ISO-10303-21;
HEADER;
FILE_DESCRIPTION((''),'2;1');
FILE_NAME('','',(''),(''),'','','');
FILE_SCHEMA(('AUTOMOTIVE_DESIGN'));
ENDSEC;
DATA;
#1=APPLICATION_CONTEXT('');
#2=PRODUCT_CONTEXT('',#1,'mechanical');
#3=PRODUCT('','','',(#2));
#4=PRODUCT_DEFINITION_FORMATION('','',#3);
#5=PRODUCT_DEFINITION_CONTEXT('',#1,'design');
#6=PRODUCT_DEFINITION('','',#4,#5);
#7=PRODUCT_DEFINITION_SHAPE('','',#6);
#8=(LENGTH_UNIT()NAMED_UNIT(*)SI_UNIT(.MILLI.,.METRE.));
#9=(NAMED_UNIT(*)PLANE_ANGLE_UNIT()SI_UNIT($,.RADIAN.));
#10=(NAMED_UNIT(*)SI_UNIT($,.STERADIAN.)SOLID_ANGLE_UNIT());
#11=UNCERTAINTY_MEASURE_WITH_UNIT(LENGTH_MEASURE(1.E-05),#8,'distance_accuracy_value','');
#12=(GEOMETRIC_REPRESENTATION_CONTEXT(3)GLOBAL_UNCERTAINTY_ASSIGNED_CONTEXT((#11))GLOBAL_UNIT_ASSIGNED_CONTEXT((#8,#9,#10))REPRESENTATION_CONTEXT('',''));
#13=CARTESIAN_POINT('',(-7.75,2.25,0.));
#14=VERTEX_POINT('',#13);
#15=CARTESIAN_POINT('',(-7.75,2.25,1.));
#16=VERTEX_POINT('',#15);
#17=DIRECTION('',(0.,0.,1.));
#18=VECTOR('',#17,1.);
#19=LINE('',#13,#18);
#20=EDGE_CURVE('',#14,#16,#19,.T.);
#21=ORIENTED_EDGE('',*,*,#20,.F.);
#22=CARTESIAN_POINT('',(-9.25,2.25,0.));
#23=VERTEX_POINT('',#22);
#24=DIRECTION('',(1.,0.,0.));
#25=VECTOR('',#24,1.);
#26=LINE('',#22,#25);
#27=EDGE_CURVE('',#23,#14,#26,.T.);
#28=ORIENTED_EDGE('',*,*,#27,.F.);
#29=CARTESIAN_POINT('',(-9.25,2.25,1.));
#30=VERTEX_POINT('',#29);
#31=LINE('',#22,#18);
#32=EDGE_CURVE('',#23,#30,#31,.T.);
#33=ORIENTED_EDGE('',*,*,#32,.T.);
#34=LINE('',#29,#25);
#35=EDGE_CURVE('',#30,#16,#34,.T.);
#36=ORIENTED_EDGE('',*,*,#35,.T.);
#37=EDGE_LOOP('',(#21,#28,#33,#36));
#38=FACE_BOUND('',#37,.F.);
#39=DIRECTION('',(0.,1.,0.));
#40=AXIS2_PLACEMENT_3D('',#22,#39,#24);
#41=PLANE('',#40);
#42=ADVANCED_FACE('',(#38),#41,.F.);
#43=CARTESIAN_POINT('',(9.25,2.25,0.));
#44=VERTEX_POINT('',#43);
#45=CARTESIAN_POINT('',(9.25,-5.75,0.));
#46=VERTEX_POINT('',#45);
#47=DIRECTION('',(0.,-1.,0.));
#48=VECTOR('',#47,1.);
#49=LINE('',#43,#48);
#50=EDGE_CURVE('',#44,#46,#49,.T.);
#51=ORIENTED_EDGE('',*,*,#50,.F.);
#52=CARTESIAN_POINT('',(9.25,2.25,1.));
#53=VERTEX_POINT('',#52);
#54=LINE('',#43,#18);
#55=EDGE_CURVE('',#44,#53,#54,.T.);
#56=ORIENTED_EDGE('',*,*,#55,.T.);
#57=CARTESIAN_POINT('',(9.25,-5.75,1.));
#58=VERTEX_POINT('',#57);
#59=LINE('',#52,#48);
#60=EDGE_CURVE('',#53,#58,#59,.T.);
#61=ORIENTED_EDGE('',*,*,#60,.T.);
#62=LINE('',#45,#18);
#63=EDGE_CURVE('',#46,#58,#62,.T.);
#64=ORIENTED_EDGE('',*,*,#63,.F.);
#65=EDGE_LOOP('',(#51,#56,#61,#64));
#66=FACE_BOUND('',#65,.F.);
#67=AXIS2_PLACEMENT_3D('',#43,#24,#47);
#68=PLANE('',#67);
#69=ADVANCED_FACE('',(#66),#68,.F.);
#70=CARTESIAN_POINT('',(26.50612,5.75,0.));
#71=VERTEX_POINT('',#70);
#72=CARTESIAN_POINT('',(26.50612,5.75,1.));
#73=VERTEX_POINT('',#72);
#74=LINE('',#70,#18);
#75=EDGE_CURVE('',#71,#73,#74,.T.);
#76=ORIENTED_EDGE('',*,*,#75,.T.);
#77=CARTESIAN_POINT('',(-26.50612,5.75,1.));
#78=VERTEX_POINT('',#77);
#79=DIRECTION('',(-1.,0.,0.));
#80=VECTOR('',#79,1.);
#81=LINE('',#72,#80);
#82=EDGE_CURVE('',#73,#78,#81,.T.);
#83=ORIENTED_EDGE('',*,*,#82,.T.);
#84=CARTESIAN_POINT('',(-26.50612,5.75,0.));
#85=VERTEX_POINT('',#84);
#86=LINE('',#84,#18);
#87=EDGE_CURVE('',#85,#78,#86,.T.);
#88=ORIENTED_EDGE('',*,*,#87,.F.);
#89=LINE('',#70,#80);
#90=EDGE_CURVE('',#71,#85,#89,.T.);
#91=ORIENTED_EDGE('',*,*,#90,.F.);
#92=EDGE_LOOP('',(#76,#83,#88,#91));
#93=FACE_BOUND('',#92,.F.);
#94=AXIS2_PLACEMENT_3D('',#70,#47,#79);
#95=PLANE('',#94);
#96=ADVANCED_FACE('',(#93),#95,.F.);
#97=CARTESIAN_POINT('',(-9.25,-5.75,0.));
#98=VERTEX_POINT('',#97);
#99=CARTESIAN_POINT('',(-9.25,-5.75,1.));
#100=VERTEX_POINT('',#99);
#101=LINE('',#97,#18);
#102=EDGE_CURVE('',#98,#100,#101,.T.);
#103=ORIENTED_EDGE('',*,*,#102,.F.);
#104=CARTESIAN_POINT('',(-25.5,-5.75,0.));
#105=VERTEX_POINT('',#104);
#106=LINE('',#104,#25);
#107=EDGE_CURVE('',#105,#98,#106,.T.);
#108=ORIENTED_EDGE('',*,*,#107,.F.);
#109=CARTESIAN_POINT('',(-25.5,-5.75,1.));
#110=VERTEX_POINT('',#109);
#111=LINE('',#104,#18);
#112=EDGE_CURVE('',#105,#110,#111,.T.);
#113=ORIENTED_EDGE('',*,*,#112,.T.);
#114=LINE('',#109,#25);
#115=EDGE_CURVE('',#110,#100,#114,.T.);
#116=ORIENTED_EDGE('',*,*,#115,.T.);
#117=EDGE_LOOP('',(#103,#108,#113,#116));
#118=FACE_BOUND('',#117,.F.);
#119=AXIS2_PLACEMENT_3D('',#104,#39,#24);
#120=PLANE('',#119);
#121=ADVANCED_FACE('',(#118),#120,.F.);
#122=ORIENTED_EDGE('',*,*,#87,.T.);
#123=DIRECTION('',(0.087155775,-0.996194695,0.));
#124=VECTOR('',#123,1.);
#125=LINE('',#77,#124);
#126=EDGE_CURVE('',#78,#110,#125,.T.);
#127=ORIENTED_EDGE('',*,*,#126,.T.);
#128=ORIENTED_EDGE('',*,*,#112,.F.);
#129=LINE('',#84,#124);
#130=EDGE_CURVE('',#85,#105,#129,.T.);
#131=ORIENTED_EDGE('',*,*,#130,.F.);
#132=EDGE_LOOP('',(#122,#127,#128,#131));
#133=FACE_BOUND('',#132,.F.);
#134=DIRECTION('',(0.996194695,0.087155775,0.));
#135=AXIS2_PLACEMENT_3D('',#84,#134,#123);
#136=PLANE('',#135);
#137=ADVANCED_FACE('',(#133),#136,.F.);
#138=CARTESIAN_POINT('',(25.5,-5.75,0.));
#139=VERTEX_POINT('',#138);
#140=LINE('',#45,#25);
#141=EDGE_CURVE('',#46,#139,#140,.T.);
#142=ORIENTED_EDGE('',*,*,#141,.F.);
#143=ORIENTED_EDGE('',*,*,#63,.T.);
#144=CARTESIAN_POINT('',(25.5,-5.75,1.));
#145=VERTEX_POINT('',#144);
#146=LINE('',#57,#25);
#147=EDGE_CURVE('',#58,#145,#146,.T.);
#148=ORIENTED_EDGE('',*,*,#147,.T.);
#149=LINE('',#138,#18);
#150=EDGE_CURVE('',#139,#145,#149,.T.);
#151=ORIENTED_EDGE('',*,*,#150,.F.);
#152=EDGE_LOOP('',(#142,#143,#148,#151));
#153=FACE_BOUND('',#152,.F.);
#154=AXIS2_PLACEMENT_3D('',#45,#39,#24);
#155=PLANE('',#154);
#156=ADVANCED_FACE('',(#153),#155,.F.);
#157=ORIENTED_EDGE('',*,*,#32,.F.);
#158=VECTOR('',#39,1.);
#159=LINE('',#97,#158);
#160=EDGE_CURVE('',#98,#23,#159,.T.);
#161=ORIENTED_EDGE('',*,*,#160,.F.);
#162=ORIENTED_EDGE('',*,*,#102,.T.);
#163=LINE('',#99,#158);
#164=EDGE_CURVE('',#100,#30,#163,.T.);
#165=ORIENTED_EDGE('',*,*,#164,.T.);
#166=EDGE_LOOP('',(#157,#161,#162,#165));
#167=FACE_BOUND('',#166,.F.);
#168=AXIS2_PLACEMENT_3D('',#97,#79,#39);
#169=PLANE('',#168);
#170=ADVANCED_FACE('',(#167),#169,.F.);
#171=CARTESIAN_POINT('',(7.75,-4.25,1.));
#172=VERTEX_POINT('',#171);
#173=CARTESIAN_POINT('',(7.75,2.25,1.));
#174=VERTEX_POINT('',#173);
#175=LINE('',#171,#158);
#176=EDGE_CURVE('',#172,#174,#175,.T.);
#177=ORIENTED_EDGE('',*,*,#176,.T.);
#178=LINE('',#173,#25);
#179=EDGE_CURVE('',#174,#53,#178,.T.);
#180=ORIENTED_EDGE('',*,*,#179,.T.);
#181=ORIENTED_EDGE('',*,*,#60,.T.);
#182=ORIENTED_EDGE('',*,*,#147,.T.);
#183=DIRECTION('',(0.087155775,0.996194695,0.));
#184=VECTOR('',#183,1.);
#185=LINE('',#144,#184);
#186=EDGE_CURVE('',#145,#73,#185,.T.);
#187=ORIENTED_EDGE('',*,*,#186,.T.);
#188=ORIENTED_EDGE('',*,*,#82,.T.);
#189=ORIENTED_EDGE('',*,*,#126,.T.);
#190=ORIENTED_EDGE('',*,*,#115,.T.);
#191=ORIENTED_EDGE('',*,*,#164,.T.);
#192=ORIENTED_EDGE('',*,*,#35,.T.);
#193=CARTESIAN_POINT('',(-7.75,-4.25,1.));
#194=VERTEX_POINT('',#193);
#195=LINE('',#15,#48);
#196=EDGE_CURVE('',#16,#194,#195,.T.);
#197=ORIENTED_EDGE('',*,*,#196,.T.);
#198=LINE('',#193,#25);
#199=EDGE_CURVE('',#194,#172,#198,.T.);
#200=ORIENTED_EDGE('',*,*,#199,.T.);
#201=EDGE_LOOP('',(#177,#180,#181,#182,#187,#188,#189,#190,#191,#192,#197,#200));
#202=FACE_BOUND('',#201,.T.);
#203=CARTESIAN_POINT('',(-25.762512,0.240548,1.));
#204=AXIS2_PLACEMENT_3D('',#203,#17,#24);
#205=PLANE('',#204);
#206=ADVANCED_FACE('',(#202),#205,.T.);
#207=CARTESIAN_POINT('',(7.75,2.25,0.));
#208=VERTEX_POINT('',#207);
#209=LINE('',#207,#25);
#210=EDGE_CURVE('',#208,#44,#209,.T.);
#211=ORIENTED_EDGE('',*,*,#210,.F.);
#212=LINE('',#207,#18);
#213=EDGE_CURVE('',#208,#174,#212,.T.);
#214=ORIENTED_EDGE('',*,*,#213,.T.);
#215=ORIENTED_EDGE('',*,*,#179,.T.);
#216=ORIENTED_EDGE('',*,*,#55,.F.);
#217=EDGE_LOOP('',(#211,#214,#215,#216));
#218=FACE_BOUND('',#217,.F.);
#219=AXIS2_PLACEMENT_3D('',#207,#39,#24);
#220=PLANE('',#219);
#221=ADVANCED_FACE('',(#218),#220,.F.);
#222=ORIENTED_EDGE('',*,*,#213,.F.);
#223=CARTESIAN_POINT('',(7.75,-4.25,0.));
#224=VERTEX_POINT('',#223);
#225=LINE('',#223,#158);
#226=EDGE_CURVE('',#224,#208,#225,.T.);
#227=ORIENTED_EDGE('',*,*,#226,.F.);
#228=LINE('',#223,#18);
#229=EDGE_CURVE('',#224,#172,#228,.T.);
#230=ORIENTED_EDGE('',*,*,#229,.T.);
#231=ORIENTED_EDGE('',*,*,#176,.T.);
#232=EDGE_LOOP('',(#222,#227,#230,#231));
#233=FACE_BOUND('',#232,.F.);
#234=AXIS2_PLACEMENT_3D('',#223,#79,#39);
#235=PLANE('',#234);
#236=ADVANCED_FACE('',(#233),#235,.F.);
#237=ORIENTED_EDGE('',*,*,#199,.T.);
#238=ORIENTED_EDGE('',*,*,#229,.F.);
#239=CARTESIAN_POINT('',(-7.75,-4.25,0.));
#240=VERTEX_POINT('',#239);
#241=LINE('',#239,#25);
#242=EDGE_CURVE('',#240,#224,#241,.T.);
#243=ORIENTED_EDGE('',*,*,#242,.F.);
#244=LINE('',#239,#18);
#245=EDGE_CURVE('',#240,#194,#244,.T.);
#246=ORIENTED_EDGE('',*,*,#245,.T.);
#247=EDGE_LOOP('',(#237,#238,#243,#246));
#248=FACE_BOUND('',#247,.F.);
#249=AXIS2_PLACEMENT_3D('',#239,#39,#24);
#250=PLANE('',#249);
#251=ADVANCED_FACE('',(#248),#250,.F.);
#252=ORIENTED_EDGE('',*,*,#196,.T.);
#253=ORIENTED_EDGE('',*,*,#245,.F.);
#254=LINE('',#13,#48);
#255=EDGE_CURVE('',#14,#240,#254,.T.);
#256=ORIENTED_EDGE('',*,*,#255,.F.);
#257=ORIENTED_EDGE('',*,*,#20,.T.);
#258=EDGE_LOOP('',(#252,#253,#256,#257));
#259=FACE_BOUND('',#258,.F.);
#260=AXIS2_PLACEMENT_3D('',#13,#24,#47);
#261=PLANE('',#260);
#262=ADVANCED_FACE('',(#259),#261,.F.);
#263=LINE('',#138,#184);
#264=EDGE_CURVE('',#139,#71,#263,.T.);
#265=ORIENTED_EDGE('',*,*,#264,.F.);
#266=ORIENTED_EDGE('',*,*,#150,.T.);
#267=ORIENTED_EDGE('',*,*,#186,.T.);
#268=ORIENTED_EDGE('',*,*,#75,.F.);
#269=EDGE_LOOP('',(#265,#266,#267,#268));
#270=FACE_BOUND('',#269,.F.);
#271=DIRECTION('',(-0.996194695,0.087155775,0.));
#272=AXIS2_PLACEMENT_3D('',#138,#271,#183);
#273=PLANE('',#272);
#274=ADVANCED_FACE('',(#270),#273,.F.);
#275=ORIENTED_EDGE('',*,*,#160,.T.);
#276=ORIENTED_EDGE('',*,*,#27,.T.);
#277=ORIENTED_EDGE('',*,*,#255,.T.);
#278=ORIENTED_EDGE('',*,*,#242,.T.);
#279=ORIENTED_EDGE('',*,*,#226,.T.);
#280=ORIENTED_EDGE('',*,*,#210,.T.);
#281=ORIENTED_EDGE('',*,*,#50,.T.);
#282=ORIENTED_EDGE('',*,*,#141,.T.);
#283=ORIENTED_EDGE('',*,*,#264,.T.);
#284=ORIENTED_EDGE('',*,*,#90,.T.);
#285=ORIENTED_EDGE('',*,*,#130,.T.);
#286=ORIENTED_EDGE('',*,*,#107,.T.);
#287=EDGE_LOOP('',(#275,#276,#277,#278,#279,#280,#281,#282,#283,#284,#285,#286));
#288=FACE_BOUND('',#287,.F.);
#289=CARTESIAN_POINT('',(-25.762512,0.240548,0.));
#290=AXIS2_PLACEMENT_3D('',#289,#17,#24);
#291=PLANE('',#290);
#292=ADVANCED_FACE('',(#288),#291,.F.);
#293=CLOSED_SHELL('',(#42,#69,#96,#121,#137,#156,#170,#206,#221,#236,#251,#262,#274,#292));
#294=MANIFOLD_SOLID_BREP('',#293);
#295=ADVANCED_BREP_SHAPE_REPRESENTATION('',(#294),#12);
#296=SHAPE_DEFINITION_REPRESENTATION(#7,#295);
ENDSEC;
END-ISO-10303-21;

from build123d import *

# Parameters (mm, degrees)
F1_DEPTH = 1


with BuildPart() as f1:
    # F0 (on Top) → F1 (new body)
    with BuildSketch(Plane.XY):
        Polygon((-25.5, -5.75), (-25.5, 5.75), (-26.50612, 5.75), align=None)
        Polygon((25.5, 5.75), (-25.5, 5.75), (-25.5, -5.75), (-9.25, -5.75), (-9.25, 2.25), (-7.75, 2.25), (-7.75, -4.25), (7.75, -4.25), (7.75, 2.25), (9.25, 2.25), (9.25, -5.75), (25.5, -5.75), align=None)
        Polygon((26.50612, 5.75), (25.5, 5.75), (25.5, -5.75), align=None)
    extrude(amount=F1_DEPTH)


solid = f1.part
